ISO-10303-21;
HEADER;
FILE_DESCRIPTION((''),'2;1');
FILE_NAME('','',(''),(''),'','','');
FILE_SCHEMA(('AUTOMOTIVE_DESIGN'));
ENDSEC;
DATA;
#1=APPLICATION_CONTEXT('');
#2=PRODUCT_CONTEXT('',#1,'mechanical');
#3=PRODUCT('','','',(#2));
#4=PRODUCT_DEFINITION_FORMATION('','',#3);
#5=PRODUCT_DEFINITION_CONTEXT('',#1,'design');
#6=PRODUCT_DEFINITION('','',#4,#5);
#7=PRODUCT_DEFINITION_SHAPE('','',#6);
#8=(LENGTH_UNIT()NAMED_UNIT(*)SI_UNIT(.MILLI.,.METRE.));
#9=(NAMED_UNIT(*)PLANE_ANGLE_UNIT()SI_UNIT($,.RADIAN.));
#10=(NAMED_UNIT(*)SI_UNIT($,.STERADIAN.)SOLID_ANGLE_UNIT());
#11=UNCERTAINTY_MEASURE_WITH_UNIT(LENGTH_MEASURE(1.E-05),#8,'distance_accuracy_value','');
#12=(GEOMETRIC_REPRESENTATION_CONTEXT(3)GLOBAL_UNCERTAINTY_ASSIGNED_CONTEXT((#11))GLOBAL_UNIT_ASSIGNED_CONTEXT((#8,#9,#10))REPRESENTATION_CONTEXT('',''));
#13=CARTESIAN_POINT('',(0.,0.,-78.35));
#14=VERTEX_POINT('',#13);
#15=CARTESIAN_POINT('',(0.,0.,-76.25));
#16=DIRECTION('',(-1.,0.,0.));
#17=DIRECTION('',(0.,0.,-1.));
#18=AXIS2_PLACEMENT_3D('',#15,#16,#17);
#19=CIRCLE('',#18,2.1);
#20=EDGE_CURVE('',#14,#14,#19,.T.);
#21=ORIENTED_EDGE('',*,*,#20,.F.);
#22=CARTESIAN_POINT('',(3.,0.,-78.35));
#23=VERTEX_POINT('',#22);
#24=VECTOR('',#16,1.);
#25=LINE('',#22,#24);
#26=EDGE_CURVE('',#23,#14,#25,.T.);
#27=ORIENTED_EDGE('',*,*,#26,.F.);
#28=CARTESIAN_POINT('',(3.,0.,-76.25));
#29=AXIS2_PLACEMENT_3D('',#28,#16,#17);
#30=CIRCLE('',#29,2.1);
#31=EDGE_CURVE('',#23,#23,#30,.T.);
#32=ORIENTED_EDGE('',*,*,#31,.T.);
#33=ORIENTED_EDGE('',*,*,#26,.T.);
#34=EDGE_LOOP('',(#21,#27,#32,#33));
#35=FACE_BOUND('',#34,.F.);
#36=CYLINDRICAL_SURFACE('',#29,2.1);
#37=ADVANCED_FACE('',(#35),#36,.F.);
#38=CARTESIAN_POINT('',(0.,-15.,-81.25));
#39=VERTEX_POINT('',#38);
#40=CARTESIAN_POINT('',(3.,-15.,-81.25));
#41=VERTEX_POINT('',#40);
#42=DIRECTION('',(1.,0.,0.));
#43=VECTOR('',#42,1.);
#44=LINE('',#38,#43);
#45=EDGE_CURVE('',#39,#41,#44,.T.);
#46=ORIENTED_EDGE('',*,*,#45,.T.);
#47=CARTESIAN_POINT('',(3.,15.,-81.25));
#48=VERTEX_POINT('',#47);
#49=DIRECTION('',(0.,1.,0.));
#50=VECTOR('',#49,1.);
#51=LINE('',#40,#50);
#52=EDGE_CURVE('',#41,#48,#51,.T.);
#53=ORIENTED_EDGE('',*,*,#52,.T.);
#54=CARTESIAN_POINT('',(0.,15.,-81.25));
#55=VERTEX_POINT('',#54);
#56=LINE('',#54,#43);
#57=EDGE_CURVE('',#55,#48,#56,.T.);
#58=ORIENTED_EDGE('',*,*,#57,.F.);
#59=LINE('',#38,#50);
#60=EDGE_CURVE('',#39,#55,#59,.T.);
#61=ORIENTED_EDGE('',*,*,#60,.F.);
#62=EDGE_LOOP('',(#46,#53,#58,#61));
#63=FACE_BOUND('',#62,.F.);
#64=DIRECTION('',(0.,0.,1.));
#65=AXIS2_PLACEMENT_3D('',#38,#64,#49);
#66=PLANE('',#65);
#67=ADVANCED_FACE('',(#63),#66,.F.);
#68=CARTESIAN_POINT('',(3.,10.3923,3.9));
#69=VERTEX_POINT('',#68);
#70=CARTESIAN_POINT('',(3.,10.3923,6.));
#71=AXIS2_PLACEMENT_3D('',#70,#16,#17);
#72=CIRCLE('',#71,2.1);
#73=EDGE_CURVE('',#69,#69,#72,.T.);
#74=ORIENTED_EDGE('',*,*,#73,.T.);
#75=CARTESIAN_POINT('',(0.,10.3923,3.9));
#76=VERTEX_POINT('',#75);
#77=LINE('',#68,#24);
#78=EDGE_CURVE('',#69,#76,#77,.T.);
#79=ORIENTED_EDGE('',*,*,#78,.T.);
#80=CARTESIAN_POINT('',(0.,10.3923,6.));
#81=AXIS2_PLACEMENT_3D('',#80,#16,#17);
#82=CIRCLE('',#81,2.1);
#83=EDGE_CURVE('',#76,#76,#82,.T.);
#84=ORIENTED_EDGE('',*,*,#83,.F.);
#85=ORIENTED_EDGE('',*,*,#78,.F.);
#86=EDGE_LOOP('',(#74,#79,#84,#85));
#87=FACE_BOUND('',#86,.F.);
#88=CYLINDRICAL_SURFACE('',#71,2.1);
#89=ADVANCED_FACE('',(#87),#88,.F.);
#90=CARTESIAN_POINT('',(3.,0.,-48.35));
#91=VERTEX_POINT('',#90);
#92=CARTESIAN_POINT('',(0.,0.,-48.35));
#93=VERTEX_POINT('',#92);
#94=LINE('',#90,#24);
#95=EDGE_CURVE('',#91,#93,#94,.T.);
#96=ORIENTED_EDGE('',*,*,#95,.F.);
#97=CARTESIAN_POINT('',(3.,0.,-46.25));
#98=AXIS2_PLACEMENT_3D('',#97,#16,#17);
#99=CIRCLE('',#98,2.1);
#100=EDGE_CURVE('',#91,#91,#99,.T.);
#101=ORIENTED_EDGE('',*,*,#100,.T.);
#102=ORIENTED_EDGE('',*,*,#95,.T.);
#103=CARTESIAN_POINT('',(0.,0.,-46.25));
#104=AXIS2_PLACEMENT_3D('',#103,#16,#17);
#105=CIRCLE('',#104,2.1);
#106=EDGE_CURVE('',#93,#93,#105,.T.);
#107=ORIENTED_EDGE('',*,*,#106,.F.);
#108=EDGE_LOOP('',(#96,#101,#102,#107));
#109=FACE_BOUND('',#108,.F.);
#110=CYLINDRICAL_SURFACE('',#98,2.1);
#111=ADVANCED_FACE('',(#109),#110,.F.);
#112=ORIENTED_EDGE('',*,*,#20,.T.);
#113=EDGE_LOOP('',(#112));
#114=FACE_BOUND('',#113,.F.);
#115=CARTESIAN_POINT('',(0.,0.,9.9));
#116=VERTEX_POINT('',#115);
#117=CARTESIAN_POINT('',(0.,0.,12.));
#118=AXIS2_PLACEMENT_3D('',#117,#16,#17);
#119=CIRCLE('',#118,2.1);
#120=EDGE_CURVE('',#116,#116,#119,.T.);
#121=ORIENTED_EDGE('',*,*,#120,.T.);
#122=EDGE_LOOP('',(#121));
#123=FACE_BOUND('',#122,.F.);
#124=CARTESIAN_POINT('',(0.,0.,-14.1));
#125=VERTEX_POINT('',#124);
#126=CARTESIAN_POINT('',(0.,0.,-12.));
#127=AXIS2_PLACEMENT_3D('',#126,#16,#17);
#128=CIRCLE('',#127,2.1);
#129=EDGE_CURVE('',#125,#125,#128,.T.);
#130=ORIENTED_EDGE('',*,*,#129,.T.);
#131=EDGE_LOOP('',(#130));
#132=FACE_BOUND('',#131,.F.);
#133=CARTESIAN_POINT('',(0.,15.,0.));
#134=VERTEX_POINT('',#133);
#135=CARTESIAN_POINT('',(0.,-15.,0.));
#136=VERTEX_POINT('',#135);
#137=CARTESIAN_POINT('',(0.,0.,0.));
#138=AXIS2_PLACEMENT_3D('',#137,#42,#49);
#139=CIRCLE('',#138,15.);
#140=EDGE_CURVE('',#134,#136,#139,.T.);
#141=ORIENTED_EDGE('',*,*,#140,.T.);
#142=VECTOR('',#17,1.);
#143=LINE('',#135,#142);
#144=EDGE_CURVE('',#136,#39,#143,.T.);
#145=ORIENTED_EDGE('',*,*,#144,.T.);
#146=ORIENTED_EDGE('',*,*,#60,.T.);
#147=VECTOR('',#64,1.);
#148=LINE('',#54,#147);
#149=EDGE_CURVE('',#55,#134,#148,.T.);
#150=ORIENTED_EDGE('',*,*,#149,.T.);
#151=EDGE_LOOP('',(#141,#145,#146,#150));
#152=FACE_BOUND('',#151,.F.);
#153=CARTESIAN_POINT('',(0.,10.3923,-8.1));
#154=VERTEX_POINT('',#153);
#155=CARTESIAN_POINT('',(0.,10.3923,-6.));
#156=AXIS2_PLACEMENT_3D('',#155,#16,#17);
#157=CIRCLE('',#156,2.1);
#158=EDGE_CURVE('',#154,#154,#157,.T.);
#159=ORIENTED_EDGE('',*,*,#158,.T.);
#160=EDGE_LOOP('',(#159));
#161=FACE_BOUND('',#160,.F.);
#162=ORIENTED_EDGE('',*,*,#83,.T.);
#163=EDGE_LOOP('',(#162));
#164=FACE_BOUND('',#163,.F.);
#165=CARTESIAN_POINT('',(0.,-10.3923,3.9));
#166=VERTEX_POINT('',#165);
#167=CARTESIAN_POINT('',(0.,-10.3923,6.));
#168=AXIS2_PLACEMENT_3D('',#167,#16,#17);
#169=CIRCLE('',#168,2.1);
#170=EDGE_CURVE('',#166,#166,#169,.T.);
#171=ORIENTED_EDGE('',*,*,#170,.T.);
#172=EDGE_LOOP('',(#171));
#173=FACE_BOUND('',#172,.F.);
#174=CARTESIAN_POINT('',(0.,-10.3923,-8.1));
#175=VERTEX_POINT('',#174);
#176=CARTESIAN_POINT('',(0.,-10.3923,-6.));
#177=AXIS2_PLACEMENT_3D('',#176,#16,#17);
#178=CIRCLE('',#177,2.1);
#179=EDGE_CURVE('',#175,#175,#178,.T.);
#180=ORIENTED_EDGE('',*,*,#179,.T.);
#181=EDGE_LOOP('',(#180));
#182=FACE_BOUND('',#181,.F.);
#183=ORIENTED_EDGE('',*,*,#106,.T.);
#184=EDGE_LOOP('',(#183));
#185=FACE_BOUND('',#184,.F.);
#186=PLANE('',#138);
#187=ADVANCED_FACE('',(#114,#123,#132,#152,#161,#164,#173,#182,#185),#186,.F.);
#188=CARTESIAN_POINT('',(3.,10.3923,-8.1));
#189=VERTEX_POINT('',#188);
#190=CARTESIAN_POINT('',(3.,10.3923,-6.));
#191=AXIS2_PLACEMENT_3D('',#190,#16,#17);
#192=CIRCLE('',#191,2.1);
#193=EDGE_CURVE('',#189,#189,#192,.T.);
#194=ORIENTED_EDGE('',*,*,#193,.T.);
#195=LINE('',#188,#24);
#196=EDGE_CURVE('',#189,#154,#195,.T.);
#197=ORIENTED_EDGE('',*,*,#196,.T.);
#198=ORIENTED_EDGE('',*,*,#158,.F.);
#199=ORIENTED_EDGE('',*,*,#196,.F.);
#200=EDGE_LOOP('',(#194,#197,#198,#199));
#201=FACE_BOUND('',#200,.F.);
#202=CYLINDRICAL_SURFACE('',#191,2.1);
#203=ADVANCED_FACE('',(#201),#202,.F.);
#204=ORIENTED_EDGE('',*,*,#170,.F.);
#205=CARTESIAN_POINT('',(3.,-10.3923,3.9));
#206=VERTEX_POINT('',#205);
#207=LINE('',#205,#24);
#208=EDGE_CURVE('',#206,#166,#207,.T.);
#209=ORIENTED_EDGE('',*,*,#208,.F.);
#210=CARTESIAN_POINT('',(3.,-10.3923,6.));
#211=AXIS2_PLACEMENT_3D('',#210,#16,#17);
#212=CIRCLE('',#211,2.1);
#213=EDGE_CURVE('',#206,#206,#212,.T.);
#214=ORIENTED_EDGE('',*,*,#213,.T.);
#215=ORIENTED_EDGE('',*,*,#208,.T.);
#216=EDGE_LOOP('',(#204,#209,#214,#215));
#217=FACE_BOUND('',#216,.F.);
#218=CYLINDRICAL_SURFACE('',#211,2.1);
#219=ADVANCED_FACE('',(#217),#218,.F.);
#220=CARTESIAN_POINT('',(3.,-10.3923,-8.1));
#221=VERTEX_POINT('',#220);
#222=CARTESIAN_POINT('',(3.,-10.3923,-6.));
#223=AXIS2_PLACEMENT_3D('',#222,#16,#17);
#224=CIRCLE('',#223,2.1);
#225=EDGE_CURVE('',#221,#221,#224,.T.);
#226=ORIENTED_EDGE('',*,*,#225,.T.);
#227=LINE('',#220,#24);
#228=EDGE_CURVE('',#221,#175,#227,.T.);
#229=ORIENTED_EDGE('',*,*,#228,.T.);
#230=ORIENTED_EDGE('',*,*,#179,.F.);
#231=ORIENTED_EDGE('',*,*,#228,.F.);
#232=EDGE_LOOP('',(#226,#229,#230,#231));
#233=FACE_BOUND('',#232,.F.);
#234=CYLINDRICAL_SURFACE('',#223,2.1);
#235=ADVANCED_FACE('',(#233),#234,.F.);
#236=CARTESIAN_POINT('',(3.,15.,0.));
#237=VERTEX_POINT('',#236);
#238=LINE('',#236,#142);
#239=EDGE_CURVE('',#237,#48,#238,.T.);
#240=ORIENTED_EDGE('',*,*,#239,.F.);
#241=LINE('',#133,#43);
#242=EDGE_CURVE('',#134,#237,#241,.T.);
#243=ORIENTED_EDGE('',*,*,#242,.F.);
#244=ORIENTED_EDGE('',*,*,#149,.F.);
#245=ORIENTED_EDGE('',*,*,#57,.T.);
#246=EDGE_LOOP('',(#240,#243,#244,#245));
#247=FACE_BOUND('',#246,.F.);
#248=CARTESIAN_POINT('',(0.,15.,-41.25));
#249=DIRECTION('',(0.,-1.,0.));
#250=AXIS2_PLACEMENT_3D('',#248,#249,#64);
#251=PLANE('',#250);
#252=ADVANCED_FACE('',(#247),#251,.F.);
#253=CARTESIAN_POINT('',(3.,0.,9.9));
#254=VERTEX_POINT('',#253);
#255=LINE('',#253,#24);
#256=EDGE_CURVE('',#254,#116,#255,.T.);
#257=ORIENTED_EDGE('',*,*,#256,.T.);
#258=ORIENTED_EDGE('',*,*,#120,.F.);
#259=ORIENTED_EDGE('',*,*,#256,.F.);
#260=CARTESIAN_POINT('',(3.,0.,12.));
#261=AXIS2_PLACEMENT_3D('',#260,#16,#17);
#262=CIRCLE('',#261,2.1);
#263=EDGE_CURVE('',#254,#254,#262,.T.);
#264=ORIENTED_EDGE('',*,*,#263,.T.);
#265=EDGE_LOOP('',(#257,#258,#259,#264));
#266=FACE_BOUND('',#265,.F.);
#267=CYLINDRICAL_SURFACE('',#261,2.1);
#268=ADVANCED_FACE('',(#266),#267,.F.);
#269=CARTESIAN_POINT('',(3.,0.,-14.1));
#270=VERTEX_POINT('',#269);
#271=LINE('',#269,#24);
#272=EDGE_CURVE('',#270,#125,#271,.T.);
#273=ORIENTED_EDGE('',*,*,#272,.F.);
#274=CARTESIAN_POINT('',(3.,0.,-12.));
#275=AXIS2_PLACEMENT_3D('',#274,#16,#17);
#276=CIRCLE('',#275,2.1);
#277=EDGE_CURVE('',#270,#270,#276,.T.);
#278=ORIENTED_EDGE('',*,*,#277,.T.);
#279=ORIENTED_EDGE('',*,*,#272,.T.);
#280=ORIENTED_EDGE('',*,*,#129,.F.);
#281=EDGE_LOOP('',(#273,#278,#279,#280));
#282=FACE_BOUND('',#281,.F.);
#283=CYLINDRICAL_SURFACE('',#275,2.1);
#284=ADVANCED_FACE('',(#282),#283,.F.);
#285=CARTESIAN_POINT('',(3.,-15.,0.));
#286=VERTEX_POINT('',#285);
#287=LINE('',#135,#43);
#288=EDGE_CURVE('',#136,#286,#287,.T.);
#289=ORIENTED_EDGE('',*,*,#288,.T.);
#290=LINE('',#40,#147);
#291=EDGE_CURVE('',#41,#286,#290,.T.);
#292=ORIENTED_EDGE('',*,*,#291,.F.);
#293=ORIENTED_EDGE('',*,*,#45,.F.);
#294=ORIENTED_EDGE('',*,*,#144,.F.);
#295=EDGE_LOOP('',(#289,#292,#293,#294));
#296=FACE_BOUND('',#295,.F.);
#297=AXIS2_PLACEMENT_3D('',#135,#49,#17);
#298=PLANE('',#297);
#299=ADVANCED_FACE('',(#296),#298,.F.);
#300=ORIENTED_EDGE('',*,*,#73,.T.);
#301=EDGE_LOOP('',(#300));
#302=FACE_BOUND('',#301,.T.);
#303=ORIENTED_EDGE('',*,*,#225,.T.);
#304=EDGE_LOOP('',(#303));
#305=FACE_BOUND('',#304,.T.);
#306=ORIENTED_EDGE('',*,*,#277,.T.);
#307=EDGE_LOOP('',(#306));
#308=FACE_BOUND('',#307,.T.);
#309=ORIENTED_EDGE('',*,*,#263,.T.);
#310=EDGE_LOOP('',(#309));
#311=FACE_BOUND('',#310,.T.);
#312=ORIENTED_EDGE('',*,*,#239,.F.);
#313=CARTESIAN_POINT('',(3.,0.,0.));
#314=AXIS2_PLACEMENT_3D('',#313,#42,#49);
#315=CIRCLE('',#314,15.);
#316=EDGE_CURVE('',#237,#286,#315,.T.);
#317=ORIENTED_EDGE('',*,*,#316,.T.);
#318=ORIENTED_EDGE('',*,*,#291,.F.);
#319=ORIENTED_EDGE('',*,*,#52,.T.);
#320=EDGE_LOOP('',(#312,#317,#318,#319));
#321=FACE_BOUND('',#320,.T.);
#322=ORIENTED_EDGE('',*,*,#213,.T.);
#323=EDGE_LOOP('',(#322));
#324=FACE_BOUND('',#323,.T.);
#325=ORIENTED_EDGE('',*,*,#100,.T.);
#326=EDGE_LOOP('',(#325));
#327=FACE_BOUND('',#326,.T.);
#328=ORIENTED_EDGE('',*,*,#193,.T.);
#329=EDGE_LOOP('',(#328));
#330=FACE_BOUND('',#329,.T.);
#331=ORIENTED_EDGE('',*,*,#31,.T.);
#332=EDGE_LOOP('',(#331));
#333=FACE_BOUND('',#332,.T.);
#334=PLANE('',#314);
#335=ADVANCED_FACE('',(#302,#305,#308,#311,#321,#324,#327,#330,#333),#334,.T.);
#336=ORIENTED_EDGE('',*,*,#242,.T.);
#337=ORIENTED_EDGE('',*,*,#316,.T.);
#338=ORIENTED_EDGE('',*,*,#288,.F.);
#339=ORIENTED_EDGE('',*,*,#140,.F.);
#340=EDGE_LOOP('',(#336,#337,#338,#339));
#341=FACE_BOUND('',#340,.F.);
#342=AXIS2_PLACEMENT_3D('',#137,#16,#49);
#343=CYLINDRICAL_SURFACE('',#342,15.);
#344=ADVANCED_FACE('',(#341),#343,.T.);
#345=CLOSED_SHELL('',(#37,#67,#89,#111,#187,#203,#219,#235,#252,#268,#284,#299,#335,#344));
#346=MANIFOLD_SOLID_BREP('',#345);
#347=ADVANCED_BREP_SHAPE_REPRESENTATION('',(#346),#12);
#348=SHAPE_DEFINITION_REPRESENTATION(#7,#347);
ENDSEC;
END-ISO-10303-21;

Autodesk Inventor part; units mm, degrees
ref_plane "YZ Plane" through (0, 0, 0) normal (1, 0, 0) x (0, 1, 0)
ref_plane "XZ Plane" through (0, 0, 0) normal (0, 1, 0) x (-1, 0, 0)
ref_plane "XY Plane" through (0, 0, 0) normal (0, 0, 1) x (1, 0, 0)
sketch "スケッチ1" plane through (0, 0, 0) normal (1, 0, 0) x (0, 1, 0)
  circle A0 centre (0, 0) radius 15
  line L0 (15, -41.25) -> (-15, -41.25)
  line L1 (-15, -41.25) -> (-15, -81.25)
  line L2 (-15, -81.25) -> (15, -81.25)
  line L3 (15, -81.25) -> (15, -41.25)
  line L4 (15, -41.25) -> (15, 0)
  line L5 (-15, 0) -> (-15, -41.25)
  dimension "d0" = 30
  dimension "d1" = 30
  dimension "d2" = 40
  dimension "d4" = 15
  dimension "d28" = 41.25
extrude "押し出し1" add sketch "スケッチ1" along normal blind 3
sketch "スケッチ2" plane through (3, 0, 0) normal (1, 0, 0) x (0, 0, -1)
  circle A0 centre (0, 0) radius 12
  line L0 (81.25, 15) -> (0, 15) projected
  line L1 (81.25, -15) -> (81.25, 15) projected
  point P0 (12, 0)
  point P1 (6, 10.3923)
  point P2 (-6, 10.3923)
  point P3 (-12, 0)
  point P4 (-6, -10.3923)
  point P5 (6, -10.3923)
  dimension "d7" = 24
  dimension "d10" = 360
hole "穴1" at (3, 0, -12) at (3, 10.3923, -6) at (3, 10.3923, 6) at (3, 0, 12) at (3, -10.3923, 6) at (3, -10.3923, -6) direction (-1, 0, 0) diameter 4.2 end through all
sketch "スケッチ5" plane through (3, 0, 0) normal (1, 0, 0) x (0, 0, -1)
  line L0 (81.25, -15) -> (81.25, 15) projected
  point P0 (0, 0)
  point P1 (76.25, 0)
  point P2 (46.25, 0)
  dimension "d40" = 5
  dimension "d41" = 30
hole "穴3" at (3, 0, -76.25) at (3, 0, -46.25) direction (-1, 0, 0) diameter 4.2 end through all
properties part number "link4_plate4" material "アルミニウム 6061"
